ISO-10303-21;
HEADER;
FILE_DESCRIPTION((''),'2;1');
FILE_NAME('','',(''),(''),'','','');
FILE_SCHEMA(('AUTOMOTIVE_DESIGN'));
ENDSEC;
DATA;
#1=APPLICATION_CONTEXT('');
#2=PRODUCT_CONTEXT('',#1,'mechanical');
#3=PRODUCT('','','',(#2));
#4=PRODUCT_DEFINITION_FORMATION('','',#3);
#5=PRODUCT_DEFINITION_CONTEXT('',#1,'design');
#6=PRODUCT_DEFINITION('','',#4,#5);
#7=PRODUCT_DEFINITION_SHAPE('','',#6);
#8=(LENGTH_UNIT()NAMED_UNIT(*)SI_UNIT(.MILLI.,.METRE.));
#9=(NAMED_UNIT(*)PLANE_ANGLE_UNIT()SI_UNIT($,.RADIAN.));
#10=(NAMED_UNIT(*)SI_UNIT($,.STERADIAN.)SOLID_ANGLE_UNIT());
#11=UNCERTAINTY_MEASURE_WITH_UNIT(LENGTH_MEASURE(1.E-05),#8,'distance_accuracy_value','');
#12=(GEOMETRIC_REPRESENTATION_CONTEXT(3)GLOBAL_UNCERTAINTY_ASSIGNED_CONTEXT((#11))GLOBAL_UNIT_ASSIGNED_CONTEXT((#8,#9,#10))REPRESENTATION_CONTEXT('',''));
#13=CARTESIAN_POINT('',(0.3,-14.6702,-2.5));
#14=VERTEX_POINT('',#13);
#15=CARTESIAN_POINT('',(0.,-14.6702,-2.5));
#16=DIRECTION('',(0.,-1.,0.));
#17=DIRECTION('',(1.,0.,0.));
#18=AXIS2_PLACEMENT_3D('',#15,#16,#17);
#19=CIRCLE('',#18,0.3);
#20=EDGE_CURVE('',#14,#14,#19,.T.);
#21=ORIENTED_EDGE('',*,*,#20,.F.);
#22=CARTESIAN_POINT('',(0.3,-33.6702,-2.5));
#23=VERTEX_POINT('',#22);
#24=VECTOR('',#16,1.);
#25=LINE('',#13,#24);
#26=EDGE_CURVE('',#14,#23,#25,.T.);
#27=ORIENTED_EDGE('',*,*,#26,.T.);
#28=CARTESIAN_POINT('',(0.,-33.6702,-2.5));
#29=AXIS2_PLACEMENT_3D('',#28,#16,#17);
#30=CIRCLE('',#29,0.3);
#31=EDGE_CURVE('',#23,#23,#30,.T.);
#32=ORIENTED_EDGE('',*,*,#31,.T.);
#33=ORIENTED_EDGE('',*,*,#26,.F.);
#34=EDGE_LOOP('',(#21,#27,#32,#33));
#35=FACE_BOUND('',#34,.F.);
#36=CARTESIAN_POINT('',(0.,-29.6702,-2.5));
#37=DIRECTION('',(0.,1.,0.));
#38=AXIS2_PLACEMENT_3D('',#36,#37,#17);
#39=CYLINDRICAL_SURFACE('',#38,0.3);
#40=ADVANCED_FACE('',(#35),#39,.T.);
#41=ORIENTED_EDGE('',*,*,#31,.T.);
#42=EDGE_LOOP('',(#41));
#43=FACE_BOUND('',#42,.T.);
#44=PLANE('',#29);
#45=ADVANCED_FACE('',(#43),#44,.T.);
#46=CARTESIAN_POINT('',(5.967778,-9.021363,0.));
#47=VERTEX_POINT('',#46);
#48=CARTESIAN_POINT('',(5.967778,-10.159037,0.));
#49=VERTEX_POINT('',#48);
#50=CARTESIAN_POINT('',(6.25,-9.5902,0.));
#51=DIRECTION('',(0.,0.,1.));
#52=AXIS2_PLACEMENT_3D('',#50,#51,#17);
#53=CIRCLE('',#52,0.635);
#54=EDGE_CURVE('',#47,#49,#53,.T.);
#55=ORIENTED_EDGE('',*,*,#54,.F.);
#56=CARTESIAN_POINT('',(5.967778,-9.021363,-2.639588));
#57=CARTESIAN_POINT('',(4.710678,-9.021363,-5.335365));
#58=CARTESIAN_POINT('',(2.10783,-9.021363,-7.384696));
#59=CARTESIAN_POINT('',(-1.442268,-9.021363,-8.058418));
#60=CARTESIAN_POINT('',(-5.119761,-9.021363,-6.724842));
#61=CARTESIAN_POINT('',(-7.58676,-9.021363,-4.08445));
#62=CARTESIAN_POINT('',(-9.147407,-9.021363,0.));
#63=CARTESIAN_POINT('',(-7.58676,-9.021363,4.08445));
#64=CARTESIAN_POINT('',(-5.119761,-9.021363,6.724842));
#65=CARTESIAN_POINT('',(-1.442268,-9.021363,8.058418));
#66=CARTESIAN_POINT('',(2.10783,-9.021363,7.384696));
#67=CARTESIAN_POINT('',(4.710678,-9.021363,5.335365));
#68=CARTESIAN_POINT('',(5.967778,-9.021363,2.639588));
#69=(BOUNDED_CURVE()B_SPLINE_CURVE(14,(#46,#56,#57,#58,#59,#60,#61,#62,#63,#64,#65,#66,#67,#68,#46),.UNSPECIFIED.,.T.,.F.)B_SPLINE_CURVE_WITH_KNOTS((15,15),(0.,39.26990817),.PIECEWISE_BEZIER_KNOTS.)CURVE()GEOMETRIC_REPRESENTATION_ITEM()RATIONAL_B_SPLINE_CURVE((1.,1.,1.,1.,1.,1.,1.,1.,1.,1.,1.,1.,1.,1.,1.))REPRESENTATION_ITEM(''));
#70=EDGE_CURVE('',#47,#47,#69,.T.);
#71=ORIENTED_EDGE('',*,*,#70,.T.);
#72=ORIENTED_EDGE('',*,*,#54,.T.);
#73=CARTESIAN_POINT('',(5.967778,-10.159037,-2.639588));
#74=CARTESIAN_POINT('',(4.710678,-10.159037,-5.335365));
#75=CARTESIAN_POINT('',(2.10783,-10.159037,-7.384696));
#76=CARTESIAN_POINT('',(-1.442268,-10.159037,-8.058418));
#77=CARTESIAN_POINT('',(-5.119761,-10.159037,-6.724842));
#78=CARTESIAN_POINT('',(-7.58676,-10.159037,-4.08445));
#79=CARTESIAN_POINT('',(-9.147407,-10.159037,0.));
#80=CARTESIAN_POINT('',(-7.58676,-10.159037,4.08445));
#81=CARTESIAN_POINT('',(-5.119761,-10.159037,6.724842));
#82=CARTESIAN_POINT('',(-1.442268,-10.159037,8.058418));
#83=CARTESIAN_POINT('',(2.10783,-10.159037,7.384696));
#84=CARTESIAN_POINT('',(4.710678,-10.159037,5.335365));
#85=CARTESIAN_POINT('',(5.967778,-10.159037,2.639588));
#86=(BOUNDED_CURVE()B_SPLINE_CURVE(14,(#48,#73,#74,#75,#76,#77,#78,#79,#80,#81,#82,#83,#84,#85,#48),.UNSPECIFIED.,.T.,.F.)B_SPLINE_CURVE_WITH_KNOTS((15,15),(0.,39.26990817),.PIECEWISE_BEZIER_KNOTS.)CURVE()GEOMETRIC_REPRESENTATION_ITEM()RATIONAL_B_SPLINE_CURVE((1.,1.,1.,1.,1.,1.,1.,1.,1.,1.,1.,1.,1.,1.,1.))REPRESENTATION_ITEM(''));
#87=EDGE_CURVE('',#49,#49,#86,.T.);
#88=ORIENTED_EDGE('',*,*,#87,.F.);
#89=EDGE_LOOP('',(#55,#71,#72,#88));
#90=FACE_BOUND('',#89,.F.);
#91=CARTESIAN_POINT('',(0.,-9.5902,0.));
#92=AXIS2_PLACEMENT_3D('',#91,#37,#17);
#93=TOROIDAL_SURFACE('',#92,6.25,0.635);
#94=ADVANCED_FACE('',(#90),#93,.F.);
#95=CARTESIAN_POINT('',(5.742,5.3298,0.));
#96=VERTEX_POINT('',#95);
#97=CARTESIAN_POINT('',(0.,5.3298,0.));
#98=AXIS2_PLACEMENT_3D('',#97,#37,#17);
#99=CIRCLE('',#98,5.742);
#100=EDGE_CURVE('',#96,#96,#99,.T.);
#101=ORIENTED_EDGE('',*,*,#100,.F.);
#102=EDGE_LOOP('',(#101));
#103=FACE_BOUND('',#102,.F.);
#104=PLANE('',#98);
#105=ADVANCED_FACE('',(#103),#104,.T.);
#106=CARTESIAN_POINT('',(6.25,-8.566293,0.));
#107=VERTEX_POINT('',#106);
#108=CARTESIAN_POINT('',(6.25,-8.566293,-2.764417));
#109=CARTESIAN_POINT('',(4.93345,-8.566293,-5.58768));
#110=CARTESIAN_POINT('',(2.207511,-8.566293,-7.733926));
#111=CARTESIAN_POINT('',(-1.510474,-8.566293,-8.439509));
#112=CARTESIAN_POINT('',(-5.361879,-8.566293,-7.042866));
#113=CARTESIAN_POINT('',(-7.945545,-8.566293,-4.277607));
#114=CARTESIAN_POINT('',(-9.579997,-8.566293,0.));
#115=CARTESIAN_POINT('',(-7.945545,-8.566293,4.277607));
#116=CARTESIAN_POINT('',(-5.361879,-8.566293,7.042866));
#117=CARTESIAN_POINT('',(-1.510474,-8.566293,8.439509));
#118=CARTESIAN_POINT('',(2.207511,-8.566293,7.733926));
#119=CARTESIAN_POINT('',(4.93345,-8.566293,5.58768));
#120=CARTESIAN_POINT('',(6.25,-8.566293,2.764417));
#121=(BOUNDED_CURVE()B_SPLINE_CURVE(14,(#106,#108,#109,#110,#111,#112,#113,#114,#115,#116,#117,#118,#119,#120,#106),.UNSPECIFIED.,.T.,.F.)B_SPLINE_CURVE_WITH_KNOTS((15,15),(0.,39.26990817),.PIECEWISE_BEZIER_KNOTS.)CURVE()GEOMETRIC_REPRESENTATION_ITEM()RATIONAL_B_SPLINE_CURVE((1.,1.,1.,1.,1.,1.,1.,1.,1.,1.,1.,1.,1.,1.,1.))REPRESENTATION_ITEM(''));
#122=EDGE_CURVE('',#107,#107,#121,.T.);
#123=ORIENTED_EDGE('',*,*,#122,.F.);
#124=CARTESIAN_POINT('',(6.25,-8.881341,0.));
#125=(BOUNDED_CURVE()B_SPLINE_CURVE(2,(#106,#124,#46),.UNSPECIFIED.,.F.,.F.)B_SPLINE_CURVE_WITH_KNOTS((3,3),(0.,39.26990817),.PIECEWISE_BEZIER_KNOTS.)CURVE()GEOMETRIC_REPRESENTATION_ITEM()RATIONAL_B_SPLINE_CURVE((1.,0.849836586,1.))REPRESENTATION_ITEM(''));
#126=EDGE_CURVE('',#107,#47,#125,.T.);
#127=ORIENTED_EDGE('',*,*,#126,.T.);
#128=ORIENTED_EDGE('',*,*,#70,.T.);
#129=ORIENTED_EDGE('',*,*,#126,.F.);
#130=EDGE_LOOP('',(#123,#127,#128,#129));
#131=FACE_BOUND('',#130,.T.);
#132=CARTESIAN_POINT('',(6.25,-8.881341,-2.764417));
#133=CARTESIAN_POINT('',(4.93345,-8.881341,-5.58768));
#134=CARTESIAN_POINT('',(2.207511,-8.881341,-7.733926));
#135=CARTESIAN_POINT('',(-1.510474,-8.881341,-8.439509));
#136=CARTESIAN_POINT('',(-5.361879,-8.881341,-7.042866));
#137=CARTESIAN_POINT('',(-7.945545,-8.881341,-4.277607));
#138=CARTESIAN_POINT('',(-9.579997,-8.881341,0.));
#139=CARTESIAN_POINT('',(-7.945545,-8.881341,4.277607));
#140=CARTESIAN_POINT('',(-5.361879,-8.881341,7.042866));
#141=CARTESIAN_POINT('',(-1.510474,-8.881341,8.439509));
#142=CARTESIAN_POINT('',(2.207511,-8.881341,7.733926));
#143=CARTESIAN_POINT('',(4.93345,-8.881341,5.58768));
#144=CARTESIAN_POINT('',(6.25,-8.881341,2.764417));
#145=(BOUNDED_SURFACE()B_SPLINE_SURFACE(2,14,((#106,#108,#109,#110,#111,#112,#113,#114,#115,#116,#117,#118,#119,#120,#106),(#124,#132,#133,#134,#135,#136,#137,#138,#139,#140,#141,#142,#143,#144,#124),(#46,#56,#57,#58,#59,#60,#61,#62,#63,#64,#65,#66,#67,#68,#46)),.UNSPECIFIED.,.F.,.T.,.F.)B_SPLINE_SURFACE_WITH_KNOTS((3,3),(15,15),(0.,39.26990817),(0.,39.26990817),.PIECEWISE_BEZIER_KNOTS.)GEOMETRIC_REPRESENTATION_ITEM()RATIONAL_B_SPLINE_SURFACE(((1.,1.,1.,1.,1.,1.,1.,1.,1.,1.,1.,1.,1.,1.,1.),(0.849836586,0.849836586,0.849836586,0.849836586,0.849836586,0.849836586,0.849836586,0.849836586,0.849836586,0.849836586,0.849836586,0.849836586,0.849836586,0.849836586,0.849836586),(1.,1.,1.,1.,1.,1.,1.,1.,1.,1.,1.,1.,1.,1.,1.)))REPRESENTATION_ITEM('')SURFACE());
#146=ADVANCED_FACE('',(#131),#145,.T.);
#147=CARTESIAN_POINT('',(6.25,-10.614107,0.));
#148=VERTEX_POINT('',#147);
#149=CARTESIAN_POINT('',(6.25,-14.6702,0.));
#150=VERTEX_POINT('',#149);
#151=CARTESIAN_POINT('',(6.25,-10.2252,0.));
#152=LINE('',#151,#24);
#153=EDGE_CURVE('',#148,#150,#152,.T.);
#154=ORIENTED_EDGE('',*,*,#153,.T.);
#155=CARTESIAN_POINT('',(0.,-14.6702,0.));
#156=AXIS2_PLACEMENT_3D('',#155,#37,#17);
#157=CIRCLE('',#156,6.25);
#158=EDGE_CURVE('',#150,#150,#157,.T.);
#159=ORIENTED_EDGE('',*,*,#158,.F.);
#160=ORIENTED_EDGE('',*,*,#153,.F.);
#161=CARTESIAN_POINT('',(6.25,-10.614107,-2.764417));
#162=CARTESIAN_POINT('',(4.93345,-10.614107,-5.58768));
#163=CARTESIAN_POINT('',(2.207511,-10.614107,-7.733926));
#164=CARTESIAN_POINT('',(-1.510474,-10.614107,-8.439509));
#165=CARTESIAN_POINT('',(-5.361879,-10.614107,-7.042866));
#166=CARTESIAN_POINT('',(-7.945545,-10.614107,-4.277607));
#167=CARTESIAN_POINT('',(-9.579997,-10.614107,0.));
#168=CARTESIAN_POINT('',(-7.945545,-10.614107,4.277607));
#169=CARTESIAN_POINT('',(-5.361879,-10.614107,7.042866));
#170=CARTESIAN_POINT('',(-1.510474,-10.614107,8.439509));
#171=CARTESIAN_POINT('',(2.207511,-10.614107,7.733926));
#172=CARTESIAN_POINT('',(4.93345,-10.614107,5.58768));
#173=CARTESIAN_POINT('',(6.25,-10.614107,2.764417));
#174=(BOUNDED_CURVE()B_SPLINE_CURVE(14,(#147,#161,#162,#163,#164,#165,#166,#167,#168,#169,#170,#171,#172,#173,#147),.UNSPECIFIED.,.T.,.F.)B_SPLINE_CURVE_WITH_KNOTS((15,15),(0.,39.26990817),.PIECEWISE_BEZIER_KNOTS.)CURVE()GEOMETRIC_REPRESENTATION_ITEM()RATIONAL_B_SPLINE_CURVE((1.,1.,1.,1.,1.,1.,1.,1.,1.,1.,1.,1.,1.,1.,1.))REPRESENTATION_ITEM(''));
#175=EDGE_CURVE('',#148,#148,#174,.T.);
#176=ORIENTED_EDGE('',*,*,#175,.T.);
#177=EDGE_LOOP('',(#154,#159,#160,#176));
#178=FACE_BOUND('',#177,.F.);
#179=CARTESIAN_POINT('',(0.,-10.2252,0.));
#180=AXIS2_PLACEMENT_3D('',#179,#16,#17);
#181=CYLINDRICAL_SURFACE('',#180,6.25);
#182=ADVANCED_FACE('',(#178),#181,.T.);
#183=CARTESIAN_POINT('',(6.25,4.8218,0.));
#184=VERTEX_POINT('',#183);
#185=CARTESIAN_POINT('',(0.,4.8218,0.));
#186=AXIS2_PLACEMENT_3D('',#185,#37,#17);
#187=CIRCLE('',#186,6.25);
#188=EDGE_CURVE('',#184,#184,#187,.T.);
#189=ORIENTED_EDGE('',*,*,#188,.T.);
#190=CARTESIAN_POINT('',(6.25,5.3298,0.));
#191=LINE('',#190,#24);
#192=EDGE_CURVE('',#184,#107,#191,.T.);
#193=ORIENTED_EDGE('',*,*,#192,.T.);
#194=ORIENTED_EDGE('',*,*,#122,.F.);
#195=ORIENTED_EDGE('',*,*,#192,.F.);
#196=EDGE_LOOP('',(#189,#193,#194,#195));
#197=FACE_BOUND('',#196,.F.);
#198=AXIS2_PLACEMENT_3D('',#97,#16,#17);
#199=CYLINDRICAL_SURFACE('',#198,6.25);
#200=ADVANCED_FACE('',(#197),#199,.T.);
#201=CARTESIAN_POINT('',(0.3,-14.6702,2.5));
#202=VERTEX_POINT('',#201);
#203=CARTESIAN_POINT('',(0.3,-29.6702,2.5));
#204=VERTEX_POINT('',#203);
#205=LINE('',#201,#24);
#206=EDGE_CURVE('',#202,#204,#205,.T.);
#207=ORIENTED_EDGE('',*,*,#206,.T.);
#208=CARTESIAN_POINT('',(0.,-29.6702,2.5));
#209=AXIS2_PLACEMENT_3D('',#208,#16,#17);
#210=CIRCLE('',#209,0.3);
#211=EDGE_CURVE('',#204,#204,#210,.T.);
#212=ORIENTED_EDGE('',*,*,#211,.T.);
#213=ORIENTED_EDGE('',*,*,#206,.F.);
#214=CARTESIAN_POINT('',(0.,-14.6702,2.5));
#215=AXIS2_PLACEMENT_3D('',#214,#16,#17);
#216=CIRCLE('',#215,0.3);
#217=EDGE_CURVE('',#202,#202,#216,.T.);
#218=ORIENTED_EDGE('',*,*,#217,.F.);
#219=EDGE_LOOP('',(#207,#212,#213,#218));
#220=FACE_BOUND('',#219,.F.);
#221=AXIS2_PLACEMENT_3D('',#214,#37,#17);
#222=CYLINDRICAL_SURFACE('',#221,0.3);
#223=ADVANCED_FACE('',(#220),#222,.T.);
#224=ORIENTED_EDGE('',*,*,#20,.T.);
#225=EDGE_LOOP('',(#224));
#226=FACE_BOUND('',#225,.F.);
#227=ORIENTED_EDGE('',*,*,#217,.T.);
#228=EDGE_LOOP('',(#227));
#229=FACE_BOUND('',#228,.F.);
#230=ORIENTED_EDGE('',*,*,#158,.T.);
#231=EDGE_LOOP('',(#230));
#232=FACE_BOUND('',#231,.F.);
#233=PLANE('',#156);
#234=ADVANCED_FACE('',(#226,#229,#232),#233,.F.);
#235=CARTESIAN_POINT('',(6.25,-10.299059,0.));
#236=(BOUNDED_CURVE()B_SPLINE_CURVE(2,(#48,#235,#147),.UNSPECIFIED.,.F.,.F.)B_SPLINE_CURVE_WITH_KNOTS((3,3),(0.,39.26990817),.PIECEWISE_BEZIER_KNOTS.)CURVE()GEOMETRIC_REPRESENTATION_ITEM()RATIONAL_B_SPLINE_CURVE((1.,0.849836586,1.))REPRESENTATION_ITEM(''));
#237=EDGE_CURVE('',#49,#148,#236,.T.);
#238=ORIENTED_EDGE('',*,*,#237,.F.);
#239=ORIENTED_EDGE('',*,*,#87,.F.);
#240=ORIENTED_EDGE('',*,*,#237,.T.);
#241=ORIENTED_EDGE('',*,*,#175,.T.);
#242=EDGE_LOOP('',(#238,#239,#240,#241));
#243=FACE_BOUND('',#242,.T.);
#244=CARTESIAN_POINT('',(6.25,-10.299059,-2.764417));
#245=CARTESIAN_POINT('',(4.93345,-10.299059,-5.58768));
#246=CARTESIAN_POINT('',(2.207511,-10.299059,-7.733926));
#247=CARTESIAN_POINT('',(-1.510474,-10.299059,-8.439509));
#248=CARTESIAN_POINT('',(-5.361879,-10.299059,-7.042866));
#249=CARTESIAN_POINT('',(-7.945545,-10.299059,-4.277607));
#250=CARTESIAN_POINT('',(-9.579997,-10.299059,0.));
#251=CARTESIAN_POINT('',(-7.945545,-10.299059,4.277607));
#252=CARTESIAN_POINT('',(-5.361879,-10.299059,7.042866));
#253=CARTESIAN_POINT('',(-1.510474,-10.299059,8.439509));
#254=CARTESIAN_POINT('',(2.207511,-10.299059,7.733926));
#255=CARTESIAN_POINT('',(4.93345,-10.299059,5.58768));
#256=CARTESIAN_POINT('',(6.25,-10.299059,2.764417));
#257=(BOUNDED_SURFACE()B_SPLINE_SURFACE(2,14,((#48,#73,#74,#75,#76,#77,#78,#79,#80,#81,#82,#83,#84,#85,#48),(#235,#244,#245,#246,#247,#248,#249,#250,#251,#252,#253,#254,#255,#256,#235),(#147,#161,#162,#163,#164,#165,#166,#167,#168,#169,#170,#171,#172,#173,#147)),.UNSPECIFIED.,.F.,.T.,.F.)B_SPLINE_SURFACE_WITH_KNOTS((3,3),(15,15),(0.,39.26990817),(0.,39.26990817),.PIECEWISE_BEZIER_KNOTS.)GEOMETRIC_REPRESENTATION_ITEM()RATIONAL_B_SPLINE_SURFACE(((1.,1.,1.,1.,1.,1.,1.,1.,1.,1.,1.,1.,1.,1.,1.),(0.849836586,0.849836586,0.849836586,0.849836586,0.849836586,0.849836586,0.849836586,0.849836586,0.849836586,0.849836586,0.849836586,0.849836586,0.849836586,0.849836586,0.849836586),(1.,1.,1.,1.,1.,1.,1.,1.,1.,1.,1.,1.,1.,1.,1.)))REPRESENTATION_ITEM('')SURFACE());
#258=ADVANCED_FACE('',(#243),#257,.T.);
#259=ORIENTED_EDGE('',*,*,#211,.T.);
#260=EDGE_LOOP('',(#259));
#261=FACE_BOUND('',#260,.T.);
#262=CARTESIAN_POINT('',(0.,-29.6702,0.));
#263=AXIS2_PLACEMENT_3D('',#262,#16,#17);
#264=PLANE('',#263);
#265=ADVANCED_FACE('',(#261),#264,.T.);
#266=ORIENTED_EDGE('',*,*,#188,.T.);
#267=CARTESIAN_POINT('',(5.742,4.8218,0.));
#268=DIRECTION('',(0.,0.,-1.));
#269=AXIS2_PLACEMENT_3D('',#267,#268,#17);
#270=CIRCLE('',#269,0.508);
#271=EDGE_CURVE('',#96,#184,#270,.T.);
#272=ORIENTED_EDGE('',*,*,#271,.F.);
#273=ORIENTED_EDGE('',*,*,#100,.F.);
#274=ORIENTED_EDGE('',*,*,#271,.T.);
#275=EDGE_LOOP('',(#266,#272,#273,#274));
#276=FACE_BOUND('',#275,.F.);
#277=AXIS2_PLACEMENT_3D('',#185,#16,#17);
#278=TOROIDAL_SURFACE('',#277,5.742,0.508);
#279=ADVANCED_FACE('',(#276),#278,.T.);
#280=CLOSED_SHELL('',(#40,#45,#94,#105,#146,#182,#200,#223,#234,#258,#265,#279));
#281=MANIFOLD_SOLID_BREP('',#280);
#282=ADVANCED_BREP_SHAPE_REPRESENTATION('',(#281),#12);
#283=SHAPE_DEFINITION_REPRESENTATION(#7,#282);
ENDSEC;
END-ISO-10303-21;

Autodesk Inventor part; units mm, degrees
ref_plane "YZ Plane" through (0, 0, 0) normal (1, 0, 0) x (0, 1, 0)
ref_plane "XZ Plane" through (0, 0, 0) normal (0, 1, 0) x (-1, 0, 0)
ref_plane "XY Plane" through (0, 0, 0) normal (0, 0, 1) x (1, 0, 0)
sketch "Sketch1" plane through (0, 0, 0) normal (0, 0, 1) x (1, 0, 0)
  line L0 (0, 5.3298) -> (6.25, 5.3298)
  line L1 (6.25, -14.6702) -> (0, -14.6702)
  line L2 (0, -14.6702) -> (0, 5.3298)
  circle A0 centre (6.25, -9.5902) radius 0.635
  line L3 (6.25, 5.3298) -> (6.25, -8.9552)
  line L4 (6.25, -10.2252) -> (6.25, -14.6702)
  point P0 (0, 0)
  dimension "d0" = 6.25
  dimension "d1" = 20
  dimension "d2" = 1.27
  dimension "d3" = 5.08
revolve "Revolution1" add sketch "Sketch1" angle 360 about axis through (0, -14.6702, 0) along (0, 1, 0) contours L0 L3 A0 L4 L1 L2
fillet "Fillet1" radius 0.508 3 edges at (-6.25, -10.2252, 0) (-6.25, -8.9552, 0) (-6.25, 5.3298, 0)
sketch "Sketch2" plane through (0, -14.6702, 0) normal (0, -1, 0) x (1, 0, 0)
  circle A0 centre (0, 2.5) radius 0.3
  circle A1 centre (0, -2.5) radius 0.3
  point P0 (0, 0)
  dimension "d6" = 0.6
  dimension "d7" = 0.6
  dimension "d8" = 2.5
  dimension "d9" = 2.5
extrude "Extrusion1" add sketch "Sketch2" along normal blind 15
sketch "Sketch3" plane through (0, -29.6702, -2.5) normal (0, -1, 0) x (1, 0, 0)
  circle A0 centre (0, 0) radius 0.3 projected
  point P0 (0, 2.5)
extrude "Extrusion2" add sketch "Sketch3" along normal blind 4
equation "\"d7\" = d6"
properties part number "CAP12.5X20" material "PC/ABS Plastic"
